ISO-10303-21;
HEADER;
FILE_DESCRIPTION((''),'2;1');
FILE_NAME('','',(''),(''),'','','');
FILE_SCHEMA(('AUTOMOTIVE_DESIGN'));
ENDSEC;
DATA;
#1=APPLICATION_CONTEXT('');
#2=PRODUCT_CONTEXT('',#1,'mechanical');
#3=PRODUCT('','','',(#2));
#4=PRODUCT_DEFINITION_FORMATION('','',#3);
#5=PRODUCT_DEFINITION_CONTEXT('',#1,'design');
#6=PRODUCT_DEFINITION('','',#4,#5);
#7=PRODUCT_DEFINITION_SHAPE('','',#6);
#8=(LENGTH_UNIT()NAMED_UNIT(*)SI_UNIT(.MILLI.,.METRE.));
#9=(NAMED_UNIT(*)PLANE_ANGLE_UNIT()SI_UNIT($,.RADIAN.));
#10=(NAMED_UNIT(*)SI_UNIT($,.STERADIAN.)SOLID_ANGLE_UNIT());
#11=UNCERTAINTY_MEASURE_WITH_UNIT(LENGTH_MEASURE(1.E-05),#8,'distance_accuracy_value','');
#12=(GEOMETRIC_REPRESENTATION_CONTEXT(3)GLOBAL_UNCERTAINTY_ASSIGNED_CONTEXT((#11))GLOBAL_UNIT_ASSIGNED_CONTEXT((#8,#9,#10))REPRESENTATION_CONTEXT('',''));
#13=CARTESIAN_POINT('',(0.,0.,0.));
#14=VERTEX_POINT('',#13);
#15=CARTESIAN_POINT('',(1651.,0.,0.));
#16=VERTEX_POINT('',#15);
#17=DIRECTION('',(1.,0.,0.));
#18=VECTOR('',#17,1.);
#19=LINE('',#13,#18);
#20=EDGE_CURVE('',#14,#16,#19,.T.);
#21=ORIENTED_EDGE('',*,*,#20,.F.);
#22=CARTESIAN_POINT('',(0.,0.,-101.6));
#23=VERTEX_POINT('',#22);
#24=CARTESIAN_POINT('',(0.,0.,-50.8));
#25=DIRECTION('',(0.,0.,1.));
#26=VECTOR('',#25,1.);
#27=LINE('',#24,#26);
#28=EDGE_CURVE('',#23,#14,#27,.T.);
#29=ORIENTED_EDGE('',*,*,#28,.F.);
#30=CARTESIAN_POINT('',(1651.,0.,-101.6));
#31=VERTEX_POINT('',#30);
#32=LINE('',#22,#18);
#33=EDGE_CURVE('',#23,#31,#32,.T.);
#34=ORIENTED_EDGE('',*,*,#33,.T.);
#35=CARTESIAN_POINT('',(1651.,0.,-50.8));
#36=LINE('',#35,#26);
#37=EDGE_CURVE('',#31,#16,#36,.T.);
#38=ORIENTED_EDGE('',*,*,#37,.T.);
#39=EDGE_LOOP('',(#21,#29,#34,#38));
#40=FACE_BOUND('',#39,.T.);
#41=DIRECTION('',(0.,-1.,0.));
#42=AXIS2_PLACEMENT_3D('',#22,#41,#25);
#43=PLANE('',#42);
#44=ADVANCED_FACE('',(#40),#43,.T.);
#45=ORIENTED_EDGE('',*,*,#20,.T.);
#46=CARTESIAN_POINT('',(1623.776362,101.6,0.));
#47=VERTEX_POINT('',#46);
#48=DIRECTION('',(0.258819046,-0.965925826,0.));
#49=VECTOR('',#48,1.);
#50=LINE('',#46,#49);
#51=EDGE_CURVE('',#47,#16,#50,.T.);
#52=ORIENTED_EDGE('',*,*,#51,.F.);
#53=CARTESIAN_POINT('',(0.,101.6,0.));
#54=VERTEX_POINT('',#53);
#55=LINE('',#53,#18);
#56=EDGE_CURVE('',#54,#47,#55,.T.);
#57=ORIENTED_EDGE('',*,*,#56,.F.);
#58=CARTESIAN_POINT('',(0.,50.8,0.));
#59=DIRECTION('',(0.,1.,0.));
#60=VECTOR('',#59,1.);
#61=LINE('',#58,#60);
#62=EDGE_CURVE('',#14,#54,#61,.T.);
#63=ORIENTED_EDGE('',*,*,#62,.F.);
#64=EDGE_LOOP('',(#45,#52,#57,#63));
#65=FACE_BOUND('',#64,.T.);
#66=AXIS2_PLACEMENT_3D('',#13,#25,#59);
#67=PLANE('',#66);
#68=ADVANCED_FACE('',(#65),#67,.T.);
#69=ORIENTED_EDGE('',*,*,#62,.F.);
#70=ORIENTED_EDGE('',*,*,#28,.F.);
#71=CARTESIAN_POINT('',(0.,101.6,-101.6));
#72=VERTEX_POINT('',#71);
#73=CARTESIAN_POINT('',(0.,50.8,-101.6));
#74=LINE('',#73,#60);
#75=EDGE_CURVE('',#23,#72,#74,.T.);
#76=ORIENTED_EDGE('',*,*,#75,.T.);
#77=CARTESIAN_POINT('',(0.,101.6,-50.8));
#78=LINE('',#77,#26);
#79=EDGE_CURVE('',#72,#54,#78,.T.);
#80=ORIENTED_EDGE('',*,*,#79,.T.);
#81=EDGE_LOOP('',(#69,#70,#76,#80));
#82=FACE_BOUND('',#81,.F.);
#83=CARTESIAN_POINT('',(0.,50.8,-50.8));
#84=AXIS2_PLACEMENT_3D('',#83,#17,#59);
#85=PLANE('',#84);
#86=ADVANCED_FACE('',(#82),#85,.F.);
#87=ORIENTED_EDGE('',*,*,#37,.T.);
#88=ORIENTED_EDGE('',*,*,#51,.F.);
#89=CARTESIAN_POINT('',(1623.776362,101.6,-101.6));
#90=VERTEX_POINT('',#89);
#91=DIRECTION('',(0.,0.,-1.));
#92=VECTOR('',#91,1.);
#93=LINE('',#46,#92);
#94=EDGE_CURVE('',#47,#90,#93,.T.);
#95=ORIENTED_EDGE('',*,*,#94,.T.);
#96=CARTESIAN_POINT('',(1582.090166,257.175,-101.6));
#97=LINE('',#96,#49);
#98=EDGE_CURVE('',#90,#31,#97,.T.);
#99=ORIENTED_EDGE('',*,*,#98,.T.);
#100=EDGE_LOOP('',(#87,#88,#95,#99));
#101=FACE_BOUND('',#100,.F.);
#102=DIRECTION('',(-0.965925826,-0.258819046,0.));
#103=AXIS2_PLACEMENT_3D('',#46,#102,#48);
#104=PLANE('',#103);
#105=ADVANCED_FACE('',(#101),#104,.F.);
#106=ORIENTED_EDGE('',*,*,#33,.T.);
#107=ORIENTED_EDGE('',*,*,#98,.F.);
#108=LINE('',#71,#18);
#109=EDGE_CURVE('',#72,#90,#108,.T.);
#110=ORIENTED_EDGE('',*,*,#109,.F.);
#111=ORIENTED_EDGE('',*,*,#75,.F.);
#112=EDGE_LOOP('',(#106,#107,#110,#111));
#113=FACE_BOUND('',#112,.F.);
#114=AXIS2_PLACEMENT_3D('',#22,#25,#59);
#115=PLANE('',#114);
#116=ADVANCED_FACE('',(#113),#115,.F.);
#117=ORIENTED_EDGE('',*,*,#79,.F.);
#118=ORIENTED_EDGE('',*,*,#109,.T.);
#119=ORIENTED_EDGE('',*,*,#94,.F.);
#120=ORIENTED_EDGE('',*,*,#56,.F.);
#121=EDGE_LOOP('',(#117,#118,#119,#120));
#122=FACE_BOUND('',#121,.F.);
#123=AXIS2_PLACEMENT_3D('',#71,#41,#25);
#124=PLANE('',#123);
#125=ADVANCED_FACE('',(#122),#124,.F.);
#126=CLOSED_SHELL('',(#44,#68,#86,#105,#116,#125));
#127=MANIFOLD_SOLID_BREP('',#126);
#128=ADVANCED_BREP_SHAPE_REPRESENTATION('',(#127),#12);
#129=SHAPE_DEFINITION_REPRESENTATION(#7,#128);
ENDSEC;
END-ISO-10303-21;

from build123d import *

# Parameters (mm, degrees)
F0_W     = 101.6
F0_H     = 101.6
F1_DEPTH = 1651
F3_DEPTH = 127


with BuildPart() as f1:
    # F0 (on Right) → F1 (new body)
    with BuildSketch(Plane.YZ):
        with Locations((50.8, -50.8)):
            Rectangle(F0_W, F0_H)
    extrude(amount=F1_DEPTH)

    # F2 (on Top) → F3 (cut)
    with BuildSketch(Plane.XY):
        Polygon((1651, 101.6), (1623.776362, 101.6), (1651, 0), align=None)
    extrude(amount=-F3_DEPTH, mode=Mode.SUBTRACT)


solid = f1.part
